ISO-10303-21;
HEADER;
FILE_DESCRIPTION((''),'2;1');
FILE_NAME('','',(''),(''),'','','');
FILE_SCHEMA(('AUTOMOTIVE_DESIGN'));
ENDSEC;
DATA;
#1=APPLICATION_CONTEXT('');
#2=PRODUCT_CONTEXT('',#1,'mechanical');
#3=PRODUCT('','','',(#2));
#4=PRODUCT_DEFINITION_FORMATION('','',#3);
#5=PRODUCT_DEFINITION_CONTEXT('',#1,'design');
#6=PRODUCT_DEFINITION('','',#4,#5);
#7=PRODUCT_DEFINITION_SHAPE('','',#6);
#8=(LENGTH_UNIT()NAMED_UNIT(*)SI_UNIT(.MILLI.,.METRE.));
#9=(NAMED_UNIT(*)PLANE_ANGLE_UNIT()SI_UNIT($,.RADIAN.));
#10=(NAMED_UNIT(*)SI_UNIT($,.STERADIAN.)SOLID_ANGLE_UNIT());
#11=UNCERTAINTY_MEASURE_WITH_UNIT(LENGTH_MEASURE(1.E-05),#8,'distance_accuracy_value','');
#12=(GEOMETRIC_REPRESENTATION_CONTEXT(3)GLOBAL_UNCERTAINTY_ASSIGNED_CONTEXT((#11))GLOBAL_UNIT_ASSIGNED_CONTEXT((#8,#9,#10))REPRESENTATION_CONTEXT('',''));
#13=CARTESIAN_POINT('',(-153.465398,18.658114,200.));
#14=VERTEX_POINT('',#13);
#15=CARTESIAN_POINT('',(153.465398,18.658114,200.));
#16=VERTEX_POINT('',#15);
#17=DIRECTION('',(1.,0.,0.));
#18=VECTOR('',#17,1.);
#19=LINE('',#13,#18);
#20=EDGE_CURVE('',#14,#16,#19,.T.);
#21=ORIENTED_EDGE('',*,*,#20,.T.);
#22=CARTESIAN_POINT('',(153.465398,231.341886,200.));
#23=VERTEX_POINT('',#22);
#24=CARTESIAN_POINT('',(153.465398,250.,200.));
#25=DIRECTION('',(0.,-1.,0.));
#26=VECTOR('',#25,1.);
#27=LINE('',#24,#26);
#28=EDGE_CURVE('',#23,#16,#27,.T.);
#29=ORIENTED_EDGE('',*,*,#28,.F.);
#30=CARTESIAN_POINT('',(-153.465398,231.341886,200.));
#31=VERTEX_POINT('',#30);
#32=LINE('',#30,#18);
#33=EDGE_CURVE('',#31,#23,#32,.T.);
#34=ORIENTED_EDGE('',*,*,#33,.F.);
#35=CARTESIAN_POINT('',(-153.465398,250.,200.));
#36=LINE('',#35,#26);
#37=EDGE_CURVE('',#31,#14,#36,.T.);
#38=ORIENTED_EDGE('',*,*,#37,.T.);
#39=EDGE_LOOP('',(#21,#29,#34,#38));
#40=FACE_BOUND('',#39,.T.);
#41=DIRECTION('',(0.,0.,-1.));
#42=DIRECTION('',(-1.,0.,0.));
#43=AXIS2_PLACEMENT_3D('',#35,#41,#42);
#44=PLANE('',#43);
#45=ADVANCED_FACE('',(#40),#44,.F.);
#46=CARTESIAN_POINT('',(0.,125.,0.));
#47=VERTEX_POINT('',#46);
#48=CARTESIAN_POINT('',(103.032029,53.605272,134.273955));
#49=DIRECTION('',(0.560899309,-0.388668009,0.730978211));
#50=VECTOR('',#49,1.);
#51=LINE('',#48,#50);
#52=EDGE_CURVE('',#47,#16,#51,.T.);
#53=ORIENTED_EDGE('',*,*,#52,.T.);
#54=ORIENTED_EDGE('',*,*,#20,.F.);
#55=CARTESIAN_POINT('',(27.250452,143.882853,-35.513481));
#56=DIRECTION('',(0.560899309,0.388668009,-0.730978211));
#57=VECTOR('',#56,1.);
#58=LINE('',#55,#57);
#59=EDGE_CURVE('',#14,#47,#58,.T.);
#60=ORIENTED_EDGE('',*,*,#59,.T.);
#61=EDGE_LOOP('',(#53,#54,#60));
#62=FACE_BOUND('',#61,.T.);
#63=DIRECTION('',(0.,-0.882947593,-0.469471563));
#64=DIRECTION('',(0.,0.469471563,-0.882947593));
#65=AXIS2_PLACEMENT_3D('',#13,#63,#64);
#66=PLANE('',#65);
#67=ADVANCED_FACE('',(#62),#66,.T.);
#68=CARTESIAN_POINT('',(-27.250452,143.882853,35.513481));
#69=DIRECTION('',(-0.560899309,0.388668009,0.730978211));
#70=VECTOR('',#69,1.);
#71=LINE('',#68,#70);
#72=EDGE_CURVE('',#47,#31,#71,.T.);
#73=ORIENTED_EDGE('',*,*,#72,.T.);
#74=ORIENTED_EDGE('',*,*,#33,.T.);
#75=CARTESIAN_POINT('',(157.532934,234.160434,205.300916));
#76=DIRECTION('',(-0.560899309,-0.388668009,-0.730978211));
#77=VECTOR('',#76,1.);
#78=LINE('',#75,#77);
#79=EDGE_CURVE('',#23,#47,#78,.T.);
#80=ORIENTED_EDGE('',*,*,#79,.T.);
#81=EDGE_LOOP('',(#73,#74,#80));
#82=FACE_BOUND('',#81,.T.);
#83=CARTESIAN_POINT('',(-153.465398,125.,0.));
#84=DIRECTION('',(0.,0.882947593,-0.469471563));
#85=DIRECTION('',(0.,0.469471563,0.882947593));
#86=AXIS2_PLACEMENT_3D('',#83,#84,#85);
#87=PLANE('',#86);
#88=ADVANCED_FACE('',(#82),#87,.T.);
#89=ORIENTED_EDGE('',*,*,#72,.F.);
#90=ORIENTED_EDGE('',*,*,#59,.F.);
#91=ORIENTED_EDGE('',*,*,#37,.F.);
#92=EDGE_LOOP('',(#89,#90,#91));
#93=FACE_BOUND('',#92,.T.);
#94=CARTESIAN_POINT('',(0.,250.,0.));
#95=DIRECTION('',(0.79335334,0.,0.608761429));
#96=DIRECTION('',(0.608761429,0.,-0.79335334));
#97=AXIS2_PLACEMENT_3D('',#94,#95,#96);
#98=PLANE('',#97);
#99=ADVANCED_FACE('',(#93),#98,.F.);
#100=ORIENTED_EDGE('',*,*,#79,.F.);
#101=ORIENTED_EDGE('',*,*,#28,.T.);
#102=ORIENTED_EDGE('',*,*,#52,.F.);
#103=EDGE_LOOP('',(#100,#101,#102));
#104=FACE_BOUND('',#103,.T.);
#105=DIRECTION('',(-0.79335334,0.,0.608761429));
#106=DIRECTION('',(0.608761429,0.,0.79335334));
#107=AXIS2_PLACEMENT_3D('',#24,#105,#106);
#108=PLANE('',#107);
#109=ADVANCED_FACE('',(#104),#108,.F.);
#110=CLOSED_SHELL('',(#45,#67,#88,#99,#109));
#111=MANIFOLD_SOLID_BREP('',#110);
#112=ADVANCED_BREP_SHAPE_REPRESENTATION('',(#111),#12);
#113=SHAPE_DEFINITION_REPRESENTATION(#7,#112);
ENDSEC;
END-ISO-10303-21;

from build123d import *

# Parameters (mm, degrees)
BOSS_EXTRUDE1_DEPTH     = 250
SKETCH2_OUTSIDE_W       = 290.704
SKETCH2_OUTSIDE_H       = 340.704
CUT_EXTRUDE1_DEPTH      = 154.465397596
CUT_EXTRUDE1_DEPTH_BACK = 154.465397596


with BuildPart() as part:
    # Sketch1 → Boss-Extrude1 (new body)
    with BuildSketch(Plane(origin=(0, 0, 0), x_dir=(1, 0, 0), z_dir=(0, 1, 0))):
        Polygon((0, 0), (-153.465397596, -200), (153.465397596, -200), align=None)
    extrude(amount=BOSS_EXTRUDE1_DEPTH)

    # Sketch2 outside → Cut-Extrude1 (cut, two sides)
    with BuildSketch(Plane(origin=(0, 0, 0), x_dir=(0, 0, -1), z_dir=(1, 0, 0))) as cut_extrude1_sk:
        with Locations((-100, 125)):
            Rectangle(SKETCH2_OUTSIDE_W, SKETCH2_OUTSIDE_H)
        Polygon((0, 125), (-200, 231.341886332), (-200, 18.658113668), align=None, mode=Mode.SUBTRACT)
    extrude(amount=CUT_EXTRUDE1_DEPTH, mode=Mode.SUBTRACT)
    extrude(cut_extrude1_sk.sketch, amount=-CUT_EXTRUDE1_DEPTH_BACK, mode=Mode.SUBTRACT)


solid = part.part
